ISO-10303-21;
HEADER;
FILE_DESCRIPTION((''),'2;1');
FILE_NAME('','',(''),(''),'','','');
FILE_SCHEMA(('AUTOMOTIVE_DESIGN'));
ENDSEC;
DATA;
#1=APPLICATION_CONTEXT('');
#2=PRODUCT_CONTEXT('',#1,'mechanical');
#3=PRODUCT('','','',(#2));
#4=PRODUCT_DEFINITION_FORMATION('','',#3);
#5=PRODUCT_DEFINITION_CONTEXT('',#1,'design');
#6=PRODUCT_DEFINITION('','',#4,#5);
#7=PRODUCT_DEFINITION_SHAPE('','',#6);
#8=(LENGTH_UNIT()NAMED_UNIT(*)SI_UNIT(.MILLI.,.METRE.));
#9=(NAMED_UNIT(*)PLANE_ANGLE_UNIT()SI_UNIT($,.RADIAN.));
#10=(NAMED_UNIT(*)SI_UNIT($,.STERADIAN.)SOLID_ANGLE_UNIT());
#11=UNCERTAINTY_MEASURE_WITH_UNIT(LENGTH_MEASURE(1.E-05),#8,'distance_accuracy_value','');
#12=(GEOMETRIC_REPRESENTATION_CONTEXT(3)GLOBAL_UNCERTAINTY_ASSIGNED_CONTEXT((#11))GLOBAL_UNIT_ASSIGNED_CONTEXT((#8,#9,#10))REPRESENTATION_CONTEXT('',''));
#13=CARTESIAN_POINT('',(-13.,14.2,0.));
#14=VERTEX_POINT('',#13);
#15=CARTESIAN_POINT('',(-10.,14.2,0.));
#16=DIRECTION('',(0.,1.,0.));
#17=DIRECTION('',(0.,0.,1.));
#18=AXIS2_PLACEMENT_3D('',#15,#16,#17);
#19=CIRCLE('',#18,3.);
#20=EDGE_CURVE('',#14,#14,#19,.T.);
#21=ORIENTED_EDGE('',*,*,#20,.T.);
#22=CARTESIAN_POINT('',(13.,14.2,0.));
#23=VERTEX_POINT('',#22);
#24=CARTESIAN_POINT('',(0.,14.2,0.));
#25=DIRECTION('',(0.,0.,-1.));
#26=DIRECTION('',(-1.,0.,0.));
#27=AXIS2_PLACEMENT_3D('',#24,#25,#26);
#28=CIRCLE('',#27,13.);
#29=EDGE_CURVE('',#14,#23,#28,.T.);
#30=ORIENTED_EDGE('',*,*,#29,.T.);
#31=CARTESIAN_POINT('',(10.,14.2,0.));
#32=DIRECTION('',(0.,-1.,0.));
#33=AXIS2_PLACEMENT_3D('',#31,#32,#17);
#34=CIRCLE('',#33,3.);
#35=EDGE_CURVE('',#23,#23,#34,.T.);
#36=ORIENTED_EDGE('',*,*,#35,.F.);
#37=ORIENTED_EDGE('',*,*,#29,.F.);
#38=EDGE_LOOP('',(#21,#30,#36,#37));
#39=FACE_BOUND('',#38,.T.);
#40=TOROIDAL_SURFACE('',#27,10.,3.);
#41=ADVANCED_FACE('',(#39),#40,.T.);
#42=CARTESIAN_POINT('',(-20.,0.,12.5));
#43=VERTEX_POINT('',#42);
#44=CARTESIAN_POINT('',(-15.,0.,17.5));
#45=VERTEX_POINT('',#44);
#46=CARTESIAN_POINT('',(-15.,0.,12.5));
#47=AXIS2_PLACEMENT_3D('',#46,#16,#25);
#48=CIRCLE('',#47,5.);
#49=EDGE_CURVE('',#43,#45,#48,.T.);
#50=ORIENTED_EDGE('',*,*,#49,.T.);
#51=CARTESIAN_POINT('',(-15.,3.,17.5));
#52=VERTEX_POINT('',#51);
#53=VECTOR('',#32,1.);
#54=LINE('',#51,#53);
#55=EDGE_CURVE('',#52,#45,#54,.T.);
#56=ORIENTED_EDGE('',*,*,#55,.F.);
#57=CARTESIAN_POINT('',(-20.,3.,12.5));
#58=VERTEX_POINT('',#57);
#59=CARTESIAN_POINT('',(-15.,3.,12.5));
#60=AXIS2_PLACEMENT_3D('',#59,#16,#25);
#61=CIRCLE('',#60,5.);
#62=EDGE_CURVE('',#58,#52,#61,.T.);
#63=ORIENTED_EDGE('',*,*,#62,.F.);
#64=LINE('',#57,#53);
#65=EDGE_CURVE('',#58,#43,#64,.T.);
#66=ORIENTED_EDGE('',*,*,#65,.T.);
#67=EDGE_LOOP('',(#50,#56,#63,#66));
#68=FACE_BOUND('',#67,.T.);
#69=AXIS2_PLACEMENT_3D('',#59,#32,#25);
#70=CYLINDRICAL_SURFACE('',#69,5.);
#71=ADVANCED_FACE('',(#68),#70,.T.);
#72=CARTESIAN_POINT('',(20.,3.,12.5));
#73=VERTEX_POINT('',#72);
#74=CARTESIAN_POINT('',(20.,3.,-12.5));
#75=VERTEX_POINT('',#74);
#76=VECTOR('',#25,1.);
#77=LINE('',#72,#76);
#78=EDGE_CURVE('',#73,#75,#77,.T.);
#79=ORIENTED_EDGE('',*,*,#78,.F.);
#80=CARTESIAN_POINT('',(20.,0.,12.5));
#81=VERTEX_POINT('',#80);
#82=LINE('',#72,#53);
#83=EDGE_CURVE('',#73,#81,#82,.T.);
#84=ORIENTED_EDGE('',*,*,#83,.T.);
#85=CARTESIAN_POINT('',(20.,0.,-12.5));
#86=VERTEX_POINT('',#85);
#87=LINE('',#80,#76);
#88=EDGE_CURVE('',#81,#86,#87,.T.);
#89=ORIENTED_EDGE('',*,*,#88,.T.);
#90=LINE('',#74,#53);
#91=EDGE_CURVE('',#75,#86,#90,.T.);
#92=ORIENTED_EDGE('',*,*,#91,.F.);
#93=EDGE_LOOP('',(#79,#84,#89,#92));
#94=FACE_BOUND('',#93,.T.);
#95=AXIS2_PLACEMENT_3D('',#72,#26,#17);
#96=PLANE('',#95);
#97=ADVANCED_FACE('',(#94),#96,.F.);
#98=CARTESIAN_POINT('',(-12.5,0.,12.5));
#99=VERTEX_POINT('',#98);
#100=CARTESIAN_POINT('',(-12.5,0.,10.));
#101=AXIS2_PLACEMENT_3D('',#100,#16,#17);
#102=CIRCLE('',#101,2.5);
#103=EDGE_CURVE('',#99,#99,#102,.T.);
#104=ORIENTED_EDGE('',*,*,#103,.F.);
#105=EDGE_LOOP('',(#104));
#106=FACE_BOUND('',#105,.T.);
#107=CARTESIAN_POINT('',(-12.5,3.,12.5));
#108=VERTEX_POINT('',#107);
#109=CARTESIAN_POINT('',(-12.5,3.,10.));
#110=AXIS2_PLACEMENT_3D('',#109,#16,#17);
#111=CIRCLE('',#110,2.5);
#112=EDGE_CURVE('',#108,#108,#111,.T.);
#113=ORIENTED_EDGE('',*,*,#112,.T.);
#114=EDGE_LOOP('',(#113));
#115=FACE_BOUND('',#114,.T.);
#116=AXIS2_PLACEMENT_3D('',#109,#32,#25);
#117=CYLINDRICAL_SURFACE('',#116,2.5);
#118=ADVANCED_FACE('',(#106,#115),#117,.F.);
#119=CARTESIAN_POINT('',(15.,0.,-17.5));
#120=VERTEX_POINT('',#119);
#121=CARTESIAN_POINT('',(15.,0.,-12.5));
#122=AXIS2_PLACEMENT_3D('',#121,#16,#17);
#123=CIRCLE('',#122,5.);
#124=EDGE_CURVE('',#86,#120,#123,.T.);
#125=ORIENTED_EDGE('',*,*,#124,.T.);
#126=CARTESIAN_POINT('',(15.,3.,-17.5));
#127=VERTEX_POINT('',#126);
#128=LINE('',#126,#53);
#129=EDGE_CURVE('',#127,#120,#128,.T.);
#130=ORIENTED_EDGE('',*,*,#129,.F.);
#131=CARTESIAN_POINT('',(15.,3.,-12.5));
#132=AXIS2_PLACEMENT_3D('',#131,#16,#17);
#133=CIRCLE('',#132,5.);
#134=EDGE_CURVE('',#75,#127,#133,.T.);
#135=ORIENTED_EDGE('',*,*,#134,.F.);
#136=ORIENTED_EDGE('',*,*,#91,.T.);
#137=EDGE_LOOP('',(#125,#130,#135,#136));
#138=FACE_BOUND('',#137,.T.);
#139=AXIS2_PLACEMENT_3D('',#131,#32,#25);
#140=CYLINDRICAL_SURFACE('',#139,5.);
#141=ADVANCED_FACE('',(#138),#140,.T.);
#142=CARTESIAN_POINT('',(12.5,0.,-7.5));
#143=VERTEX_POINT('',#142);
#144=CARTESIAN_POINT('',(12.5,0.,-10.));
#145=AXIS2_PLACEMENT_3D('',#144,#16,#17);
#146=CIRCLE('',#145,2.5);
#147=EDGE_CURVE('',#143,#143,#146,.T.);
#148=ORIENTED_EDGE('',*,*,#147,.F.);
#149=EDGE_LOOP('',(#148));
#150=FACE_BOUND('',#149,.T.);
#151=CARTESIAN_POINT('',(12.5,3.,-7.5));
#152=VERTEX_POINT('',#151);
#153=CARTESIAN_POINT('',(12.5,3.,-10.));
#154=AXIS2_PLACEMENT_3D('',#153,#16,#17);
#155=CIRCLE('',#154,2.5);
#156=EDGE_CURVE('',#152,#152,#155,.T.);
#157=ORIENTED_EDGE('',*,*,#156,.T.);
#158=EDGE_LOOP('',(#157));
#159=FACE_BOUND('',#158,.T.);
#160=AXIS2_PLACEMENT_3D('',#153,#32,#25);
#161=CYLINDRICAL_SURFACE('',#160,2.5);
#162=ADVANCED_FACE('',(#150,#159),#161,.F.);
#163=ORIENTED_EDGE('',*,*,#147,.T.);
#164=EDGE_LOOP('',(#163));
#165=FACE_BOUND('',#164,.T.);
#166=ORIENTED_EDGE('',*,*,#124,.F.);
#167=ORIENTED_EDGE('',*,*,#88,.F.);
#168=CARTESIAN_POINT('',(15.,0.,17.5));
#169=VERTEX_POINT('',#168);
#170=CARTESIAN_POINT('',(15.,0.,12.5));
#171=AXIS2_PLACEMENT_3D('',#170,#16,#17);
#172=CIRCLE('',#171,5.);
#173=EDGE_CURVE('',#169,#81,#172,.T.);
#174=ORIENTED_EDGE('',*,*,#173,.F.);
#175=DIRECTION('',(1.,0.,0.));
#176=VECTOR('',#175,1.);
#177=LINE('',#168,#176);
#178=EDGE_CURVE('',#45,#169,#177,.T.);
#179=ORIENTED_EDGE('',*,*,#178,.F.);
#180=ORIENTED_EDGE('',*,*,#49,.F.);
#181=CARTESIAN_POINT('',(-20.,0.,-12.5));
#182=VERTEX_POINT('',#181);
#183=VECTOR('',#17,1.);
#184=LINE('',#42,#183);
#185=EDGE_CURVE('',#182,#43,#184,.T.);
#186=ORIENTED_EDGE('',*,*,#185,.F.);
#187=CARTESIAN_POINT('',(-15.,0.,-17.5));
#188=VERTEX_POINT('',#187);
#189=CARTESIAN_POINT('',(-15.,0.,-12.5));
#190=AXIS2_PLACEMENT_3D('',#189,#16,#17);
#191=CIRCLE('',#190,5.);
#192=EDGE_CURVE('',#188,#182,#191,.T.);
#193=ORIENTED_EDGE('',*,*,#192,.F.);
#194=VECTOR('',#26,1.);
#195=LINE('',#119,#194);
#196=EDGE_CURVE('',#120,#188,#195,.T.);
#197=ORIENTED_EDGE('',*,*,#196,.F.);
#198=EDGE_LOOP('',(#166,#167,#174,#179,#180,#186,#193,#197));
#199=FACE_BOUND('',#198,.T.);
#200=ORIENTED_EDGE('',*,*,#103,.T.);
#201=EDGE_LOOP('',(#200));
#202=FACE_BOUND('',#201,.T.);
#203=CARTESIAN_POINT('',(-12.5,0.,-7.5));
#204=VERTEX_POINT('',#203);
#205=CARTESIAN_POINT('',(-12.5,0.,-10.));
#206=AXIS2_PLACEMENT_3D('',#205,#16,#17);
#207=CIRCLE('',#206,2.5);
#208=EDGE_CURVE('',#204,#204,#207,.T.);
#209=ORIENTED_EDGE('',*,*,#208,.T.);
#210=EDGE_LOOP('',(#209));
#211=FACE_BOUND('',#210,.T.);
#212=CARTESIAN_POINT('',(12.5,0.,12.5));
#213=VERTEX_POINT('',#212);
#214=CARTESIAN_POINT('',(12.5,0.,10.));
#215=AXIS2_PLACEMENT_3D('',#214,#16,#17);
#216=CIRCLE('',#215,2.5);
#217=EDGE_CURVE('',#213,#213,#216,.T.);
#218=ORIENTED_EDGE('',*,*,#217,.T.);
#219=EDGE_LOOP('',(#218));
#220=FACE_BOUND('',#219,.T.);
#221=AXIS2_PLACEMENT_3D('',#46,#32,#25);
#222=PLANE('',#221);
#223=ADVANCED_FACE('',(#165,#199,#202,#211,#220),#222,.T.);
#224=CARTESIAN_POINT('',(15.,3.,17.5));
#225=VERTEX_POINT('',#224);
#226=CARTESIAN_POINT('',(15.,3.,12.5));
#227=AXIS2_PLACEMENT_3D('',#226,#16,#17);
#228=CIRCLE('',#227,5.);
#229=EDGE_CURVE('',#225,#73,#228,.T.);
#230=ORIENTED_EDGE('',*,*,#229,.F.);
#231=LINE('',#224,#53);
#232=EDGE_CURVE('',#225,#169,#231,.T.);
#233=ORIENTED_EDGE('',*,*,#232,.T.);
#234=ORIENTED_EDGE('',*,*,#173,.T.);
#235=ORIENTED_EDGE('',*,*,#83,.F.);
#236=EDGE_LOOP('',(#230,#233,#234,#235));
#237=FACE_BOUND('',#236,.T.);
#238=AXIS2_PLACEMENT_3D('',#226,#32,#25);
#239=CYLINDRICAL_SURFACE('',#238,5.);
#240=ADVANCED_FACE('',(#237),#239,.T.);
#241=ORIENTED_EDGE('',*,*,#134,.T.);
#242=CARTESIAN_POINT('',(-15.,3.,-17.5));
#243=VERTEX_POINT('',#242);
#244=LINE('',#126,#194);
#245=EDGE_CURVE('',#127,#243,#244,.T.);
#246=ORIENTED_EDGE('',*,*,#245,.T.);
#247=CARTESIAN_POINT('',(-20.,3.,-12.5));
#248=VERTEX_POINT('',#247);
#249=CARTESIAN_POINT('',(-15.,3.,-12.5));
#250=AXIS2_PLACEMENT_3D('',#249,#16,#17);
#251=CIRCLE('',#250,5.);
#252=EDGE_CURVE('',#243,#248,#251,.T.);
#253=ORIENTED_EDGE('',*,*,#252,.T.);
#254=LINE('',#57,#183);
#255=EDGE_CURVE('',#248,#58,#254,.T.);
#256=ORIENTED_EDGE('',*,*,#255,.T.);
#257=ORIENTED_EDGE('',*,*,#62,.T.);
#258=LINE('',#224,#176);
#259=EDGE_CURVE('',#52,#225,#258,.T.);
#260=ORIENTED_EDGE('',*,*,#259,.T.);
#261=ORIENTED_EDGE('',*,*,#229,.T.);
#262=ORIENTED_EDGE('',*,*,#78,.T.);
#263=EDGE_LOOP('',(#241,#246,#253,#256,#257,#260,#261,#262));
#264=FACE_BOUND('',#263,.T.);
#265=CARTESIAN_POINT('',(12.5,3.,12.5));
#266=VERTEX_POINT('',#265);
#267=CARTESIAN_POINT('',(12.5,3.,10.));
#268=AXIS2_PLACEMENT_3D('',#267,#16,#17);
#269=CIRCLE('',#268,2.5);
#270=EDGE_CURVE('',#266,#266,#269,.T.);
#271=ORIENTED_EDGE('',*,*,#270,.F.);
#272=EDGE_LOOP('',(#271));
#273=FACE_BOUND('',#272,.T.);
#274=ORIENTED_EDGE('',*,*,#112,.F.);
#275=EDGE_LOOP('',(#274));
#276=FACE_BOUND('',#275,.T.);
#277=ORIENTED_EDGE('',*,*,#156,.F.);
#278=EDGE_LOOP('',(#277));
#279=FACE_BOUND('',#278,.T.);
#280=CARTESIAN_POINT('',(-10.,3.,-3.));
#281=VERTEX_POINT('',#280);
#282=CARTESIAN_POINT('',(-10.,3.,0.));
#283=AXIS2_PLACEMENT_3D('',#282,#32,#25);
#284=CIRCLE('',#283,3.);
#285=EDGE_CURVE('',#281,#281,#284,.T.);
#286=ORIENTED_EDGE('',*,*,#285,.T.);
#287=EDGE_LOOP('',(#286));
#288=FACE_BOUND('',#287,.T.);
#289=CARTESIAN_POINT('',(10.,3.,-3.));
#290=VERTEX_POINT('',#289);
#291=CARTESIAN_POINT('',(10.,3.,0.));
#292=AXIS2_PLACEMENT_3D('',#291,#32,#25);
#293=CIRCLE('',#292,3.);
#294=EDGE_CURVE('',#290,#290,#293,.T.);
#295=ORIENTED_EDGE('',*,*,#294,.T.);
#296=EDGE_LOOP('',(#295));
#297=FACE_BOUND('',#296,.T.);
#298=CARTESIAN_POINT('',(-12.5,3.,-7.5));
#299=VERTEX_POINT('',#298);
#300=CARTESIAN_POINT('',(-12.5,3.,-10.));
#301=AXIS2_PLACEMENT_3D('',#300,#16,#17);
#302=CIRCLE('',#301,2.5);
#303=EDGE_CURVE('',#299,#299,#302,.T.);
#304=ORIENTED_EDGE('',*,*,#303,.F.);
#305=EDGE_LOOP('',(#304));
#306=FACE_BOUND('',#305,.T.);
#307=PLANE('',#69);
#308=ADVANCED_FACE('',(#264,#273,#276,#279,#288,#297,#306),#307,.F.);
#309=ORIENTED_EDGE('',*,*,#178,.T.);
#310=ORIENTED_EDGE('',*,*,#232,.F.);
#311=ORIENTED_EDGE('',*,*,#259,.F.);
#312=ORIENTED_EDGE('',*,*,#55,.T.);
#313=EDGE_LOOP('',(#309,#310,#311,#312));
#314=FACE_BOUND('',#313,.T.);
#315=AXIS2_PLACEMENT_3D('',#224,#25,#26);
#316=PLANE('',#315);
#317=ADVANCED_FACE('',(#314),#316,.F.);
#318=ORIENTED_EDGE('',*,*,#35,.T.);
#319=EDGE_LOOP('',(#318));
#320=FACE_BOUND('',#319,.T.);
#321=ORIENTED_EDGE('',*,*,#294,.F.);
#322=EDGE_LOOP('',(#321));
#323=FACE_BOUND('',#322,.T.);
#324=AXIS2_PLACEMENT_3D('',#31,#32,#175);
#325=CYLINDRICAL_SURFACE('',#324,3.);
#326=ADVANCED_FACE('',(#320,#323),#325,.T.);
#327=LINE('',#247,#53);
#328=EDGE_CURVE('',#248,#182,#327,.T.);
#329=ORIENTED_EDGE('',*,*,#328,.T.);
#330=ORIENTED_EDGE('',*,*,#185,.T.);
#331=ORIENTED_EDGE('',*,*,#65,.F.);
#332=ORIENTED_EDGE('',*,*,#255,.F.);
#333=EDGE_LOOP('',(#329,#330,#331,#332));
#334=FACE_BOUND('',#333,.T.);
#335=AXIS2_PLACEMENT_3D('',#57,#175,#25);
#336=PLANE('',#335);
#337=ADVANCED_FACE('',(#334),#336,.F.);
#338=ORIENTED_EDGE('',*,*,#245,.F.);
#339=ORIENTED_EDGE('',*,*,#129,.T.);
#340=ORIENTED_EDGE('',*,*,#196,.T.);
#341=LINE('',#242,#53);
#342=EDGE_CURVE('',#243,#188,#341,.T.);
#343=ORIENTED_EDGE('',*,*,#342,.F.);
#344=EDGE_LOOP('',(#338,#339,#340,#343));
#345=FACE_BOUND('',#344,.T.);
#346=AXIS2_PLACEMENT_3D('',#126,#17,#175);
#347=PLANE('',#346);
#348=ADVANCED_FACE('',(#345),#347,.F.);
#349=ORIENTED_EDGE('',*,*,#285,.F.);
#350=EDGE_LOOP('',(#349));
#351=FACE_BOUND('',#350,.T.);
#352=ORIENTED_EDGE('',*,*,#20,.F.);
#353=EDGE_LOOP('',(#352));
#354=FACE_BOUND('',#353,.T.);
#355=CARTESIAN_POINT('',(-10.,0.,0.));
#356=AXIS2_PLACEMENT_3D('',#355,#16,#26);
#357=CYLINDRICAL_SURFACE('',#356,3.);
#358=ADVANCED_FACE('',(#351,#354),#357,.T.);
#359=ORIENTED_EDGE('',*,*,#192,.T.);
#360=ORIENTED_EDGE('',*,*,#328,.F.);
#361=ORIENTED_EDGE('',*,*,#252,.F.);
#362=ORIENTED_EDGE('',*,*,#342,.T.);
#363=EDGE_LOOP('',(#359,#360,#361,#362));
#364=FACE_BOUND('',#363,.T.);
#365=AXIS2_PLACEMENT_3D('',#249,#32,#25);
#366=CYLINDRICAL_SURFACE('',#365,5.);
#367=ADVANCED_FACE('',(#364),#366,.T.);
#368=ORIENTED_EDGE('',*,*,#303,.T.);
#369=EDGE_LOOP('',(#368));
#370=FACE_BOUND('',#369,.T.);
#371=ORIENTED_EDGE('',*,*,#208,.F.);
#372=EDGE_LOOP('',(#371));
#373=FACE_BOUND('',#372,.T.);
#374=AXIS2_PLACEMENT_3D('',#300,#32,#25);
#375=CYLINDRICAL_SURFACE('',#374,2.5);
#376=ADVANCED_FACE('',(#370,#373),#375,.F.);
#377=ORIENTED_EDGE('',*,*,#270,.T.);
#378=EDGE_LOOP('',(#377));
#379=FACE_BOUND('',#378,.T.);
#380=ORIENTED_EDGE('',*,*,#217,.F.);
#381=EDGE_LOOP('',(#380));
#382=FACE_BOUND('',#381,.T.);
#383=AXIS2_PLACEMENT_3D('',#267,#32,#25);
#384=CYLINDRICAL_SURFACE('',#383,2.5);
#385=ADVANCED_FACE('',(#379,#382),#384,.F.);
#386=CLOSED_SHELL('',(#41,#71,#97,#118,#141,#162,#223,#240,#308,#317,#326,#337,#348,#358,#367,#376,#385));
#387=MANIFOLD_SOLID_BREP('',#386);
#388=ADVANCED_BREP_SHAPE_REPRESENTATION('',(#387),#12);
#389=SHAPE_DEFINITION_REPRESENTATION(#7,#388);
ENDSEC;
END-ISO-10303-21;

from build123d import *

# Parameters (mm, degrees)
SKETCH1_R           = 2.5
BOSS_EXTRUDE1_DEPTH = 3
SKETCH2_R           = 3


with BuildPart() as part:
    # Sketch1 → Boss-Extrude1 (new body)
    with BuildSketch(Plane(origin=(0, 0, 0), x_dir=(1, 0, 0), z_dir=(0, 1, 0))):
        with BuildLine():
            Line((15, -17.5), (-15, -17.5))
            ThreePointArc((-15, -17.5), (-18.535533906, -16.035533906), (-20, -12.5))
            Line((-20, -12.5), (-20, 12.5))
            ThreePointArc((-20, 12.5), (-18.535533906, 16.035533906), (-15, 17.5))
            Line((-15, 17.5), (15, 17.5))
            ThreePointArc((15, 17.5), (18.535533906, 16.035533906), (20, 12.5))
            Line((20, 12.5), (20, -12.5))
            ThreePointArc((20, -12.5), (18.535533906, -16.035533906), (15, -17.5))
        make_face()
        with Locations(Location((-12.5, 10, 0), (0, 0, 270))):
            Circle(SKETCH1_R, mode=Mode.SUBTRACT)
        with Locations(Location((12.5, 10, 0), (0, 0, 270))):
            Circle(SKETCH1_R, mode=Mode.SUBTRACT)
        with Locations(Location((-12.5, -10, 0), (0, 0, 270))):
            Circle(SKETCH1_R, mode=Mode.SUBTRACT)
        with Locations(Location((12.5, -10, 0), (0, 0, 270))):
            Circle(SKETCH1_R, mode=Mode.SUBTRACT)
    extrude(amount=BOSS_EXTRUDE1_DEPTH)

    # Sweep1: sweep along a path in Sketch3
    with BuildLine(Plane.XY) as sweep1_path:
        Line((-10, 0), (-10, 14.2))
        ThreePointArc((-10, 14.2), (0, 24.2), (10, 14.2))
        Line((10, 14.2), (10, 0))
    # Sketch2 → Sweep1 (sweep)
    with BuildSketch(Plane(origin=(0, 0, 0), x_dir=(1, 0, 0), z_dir=(0, 1, 0))):
        with Locations((-10, 0)):
            Circle(SKETCH2_R)
    sweep(path=sweep1_path.line)


solid = part.part
